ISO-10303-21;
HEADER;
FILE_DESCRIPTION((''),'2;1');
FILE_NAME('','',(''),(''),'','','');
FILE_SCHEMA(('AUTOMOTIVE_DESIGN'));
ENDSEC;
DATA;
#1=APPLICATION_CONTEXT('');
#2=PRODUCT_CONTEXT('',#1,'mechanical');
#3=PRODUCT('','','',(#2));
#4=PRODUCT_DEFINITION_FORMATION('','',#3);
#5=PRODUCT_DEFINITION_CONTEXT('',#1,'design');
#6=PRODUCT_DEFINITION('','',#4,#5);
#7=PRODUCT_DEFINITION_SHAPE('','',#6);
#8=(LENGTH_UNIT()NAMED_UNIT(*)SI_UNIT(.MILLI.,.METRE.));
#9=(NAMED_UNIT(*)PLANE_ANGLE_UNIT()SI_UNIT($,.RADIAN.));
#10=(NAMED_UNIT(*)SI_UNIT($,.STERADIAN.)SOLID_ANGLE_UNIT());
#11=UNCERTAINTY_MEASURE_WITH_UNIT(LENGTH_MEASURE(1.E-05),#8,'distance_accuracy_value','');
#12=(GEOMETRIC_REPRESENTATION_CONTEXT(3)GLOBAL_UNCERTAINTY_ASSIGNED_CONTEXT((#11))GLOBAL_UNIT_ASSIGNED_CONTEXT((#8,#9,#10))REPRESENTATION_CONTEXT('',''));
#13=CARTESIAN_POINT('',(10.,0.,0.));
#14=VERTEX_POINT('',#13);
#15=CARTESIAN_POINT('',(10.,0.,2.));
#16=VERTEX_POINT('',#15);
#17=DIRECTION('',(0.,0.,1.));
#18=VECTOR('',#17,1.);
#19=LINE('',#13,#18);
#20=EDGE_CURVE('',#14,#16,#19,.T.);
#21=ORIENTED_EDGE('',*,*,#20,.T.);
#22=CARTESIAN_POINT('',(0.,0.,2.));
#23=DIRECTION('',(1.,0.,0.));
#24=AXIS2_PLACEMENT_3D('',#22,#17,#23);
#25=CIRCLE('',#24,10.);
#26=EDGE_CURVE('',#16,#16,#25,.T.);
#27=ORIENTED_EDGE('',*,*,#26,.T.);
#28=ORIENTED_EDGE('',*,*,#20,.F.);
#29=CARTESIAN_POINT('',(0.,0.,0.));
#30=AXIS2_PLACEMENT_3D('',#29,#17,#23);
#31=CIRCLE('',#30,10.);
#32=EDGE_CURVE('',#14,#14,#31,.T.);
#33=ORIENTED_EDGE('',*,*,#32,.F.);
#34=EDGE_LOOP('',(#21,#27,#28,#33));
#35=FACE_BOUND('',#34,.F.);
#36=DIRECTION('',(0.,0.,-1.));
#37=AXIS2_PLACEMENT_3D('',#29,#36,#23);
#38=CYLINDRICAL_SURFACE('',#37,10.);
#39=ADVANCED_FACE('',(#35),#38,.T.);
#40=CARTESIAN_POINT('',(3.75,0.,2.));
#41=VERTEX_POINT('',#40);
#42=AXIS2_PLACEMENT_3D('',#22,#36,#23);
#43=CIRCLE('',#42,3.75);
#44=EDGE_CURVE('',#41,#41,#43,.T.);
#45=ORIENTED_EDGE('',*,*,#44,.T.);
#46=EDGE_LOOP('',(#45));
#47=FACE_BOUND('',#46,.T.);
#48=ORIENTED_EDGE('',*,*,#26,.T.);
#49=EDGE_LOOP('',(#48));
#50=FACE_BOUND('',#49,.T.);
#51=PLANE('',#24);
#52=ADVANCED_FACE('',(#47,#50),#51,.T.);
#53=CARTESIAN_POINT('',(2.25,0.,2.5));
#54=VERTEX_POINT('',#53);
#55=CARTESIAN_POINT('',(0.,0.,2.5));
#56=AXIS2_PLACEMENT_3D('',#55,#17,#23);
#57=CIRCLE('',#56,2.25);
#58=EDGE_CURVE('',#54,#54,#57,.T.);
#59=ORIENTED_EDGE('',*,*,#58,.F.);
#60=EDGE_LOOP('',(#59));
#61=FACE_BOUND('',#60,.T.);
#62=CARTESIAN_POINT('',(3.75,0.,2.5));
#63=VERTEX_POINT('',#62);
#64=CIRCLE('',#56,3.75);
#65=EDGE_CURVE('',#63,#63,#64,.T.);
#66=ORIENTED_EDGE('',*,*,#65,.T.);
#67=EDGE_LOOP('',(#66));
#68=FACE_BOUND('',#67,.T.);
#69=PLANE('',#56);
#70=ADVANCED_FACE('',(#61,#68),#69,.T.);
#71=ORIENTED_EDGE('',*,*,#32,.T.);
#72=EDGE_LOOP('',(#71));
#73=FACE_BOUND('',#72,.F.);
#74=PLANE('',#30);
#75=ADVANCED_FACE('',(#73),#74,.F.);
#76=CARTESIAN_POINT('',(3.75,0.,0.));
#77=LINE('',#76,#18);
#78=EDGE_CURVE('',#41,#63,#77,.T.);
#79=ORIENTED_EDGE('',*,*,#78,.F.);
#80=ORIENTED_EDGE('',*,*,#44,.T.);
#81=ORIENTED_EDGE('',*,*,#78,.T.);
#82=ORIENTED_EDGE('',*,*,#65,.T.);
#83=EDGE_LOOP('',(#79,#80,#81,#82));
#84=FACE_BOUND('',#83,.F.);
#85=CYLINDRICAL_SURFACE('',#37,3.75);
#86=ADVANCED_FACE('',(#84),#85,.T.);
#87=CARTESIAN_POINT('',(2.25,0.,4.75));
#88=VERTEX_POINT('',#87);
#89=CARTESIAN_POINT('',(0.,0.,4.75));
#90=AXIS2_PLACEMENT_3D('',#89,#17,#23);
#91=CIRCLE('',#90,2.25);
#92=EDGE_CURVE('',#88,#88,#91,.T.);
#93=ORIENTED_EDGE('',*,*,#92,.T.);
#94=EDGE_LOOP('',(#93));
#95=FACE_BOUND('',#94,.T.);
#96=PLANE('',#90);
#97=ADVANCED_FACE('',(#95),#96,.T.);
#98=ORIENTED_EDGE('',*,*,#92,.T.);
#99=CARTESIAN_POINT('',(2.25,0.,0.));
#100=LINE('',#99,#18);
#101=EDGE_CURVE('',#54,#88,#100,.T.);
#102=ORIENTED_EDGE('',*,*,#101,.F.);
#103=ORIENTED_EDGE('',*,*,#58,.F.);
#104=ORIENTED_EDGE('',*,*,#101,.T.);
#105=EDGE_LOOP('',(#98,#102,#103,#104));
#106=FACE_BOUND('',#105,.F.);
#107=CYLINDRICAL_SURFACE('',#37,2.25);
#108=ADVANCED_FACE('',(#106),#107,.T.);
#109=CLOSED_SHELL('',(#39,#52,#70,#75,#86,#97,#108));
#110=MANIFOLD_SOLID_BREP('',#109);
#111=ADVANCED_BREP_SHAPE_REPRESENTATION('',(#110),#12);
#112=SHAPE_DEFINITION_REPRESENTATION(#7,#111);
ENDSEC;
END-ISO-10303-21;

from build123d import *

# Parameters (mm, degrees)
F0_R     = 10
F0_R_2   = 3.75
F0_R_3   = 2.25
F1_DEPTH = 2
F2_DEPTH = 4.75
F3_DEPTH = 2.5


with BuildPart() as f1:
    # F0 (on Top) → F1 (new body)
    with BuildSketch(Plane.XY):
        Circle(F0_R)
        Circle(F0_R_2, mode=Mode.SUBTRACT)
        Circle(F0_R_2)
        Circle(F0_R_3, mode=Mode.SUBTRACT)
    extrude(amount=F1_DEPTH)

    # F0 (on Top) → F2 (join)
    with BuildSketch(Plane.XY):
        Circle(F0_R_3)
    extrude(amount=F2_DEPTH)

    # F0 (on Top) → F3 (join)
    with BuildSketch(Plane.XY):
        Circle(F0_R_2)
        Circle(F0_R_3, mode=Mode.SUBTRACT)
    extrude(amount=F3_DEPTH)


solid = f1.part
